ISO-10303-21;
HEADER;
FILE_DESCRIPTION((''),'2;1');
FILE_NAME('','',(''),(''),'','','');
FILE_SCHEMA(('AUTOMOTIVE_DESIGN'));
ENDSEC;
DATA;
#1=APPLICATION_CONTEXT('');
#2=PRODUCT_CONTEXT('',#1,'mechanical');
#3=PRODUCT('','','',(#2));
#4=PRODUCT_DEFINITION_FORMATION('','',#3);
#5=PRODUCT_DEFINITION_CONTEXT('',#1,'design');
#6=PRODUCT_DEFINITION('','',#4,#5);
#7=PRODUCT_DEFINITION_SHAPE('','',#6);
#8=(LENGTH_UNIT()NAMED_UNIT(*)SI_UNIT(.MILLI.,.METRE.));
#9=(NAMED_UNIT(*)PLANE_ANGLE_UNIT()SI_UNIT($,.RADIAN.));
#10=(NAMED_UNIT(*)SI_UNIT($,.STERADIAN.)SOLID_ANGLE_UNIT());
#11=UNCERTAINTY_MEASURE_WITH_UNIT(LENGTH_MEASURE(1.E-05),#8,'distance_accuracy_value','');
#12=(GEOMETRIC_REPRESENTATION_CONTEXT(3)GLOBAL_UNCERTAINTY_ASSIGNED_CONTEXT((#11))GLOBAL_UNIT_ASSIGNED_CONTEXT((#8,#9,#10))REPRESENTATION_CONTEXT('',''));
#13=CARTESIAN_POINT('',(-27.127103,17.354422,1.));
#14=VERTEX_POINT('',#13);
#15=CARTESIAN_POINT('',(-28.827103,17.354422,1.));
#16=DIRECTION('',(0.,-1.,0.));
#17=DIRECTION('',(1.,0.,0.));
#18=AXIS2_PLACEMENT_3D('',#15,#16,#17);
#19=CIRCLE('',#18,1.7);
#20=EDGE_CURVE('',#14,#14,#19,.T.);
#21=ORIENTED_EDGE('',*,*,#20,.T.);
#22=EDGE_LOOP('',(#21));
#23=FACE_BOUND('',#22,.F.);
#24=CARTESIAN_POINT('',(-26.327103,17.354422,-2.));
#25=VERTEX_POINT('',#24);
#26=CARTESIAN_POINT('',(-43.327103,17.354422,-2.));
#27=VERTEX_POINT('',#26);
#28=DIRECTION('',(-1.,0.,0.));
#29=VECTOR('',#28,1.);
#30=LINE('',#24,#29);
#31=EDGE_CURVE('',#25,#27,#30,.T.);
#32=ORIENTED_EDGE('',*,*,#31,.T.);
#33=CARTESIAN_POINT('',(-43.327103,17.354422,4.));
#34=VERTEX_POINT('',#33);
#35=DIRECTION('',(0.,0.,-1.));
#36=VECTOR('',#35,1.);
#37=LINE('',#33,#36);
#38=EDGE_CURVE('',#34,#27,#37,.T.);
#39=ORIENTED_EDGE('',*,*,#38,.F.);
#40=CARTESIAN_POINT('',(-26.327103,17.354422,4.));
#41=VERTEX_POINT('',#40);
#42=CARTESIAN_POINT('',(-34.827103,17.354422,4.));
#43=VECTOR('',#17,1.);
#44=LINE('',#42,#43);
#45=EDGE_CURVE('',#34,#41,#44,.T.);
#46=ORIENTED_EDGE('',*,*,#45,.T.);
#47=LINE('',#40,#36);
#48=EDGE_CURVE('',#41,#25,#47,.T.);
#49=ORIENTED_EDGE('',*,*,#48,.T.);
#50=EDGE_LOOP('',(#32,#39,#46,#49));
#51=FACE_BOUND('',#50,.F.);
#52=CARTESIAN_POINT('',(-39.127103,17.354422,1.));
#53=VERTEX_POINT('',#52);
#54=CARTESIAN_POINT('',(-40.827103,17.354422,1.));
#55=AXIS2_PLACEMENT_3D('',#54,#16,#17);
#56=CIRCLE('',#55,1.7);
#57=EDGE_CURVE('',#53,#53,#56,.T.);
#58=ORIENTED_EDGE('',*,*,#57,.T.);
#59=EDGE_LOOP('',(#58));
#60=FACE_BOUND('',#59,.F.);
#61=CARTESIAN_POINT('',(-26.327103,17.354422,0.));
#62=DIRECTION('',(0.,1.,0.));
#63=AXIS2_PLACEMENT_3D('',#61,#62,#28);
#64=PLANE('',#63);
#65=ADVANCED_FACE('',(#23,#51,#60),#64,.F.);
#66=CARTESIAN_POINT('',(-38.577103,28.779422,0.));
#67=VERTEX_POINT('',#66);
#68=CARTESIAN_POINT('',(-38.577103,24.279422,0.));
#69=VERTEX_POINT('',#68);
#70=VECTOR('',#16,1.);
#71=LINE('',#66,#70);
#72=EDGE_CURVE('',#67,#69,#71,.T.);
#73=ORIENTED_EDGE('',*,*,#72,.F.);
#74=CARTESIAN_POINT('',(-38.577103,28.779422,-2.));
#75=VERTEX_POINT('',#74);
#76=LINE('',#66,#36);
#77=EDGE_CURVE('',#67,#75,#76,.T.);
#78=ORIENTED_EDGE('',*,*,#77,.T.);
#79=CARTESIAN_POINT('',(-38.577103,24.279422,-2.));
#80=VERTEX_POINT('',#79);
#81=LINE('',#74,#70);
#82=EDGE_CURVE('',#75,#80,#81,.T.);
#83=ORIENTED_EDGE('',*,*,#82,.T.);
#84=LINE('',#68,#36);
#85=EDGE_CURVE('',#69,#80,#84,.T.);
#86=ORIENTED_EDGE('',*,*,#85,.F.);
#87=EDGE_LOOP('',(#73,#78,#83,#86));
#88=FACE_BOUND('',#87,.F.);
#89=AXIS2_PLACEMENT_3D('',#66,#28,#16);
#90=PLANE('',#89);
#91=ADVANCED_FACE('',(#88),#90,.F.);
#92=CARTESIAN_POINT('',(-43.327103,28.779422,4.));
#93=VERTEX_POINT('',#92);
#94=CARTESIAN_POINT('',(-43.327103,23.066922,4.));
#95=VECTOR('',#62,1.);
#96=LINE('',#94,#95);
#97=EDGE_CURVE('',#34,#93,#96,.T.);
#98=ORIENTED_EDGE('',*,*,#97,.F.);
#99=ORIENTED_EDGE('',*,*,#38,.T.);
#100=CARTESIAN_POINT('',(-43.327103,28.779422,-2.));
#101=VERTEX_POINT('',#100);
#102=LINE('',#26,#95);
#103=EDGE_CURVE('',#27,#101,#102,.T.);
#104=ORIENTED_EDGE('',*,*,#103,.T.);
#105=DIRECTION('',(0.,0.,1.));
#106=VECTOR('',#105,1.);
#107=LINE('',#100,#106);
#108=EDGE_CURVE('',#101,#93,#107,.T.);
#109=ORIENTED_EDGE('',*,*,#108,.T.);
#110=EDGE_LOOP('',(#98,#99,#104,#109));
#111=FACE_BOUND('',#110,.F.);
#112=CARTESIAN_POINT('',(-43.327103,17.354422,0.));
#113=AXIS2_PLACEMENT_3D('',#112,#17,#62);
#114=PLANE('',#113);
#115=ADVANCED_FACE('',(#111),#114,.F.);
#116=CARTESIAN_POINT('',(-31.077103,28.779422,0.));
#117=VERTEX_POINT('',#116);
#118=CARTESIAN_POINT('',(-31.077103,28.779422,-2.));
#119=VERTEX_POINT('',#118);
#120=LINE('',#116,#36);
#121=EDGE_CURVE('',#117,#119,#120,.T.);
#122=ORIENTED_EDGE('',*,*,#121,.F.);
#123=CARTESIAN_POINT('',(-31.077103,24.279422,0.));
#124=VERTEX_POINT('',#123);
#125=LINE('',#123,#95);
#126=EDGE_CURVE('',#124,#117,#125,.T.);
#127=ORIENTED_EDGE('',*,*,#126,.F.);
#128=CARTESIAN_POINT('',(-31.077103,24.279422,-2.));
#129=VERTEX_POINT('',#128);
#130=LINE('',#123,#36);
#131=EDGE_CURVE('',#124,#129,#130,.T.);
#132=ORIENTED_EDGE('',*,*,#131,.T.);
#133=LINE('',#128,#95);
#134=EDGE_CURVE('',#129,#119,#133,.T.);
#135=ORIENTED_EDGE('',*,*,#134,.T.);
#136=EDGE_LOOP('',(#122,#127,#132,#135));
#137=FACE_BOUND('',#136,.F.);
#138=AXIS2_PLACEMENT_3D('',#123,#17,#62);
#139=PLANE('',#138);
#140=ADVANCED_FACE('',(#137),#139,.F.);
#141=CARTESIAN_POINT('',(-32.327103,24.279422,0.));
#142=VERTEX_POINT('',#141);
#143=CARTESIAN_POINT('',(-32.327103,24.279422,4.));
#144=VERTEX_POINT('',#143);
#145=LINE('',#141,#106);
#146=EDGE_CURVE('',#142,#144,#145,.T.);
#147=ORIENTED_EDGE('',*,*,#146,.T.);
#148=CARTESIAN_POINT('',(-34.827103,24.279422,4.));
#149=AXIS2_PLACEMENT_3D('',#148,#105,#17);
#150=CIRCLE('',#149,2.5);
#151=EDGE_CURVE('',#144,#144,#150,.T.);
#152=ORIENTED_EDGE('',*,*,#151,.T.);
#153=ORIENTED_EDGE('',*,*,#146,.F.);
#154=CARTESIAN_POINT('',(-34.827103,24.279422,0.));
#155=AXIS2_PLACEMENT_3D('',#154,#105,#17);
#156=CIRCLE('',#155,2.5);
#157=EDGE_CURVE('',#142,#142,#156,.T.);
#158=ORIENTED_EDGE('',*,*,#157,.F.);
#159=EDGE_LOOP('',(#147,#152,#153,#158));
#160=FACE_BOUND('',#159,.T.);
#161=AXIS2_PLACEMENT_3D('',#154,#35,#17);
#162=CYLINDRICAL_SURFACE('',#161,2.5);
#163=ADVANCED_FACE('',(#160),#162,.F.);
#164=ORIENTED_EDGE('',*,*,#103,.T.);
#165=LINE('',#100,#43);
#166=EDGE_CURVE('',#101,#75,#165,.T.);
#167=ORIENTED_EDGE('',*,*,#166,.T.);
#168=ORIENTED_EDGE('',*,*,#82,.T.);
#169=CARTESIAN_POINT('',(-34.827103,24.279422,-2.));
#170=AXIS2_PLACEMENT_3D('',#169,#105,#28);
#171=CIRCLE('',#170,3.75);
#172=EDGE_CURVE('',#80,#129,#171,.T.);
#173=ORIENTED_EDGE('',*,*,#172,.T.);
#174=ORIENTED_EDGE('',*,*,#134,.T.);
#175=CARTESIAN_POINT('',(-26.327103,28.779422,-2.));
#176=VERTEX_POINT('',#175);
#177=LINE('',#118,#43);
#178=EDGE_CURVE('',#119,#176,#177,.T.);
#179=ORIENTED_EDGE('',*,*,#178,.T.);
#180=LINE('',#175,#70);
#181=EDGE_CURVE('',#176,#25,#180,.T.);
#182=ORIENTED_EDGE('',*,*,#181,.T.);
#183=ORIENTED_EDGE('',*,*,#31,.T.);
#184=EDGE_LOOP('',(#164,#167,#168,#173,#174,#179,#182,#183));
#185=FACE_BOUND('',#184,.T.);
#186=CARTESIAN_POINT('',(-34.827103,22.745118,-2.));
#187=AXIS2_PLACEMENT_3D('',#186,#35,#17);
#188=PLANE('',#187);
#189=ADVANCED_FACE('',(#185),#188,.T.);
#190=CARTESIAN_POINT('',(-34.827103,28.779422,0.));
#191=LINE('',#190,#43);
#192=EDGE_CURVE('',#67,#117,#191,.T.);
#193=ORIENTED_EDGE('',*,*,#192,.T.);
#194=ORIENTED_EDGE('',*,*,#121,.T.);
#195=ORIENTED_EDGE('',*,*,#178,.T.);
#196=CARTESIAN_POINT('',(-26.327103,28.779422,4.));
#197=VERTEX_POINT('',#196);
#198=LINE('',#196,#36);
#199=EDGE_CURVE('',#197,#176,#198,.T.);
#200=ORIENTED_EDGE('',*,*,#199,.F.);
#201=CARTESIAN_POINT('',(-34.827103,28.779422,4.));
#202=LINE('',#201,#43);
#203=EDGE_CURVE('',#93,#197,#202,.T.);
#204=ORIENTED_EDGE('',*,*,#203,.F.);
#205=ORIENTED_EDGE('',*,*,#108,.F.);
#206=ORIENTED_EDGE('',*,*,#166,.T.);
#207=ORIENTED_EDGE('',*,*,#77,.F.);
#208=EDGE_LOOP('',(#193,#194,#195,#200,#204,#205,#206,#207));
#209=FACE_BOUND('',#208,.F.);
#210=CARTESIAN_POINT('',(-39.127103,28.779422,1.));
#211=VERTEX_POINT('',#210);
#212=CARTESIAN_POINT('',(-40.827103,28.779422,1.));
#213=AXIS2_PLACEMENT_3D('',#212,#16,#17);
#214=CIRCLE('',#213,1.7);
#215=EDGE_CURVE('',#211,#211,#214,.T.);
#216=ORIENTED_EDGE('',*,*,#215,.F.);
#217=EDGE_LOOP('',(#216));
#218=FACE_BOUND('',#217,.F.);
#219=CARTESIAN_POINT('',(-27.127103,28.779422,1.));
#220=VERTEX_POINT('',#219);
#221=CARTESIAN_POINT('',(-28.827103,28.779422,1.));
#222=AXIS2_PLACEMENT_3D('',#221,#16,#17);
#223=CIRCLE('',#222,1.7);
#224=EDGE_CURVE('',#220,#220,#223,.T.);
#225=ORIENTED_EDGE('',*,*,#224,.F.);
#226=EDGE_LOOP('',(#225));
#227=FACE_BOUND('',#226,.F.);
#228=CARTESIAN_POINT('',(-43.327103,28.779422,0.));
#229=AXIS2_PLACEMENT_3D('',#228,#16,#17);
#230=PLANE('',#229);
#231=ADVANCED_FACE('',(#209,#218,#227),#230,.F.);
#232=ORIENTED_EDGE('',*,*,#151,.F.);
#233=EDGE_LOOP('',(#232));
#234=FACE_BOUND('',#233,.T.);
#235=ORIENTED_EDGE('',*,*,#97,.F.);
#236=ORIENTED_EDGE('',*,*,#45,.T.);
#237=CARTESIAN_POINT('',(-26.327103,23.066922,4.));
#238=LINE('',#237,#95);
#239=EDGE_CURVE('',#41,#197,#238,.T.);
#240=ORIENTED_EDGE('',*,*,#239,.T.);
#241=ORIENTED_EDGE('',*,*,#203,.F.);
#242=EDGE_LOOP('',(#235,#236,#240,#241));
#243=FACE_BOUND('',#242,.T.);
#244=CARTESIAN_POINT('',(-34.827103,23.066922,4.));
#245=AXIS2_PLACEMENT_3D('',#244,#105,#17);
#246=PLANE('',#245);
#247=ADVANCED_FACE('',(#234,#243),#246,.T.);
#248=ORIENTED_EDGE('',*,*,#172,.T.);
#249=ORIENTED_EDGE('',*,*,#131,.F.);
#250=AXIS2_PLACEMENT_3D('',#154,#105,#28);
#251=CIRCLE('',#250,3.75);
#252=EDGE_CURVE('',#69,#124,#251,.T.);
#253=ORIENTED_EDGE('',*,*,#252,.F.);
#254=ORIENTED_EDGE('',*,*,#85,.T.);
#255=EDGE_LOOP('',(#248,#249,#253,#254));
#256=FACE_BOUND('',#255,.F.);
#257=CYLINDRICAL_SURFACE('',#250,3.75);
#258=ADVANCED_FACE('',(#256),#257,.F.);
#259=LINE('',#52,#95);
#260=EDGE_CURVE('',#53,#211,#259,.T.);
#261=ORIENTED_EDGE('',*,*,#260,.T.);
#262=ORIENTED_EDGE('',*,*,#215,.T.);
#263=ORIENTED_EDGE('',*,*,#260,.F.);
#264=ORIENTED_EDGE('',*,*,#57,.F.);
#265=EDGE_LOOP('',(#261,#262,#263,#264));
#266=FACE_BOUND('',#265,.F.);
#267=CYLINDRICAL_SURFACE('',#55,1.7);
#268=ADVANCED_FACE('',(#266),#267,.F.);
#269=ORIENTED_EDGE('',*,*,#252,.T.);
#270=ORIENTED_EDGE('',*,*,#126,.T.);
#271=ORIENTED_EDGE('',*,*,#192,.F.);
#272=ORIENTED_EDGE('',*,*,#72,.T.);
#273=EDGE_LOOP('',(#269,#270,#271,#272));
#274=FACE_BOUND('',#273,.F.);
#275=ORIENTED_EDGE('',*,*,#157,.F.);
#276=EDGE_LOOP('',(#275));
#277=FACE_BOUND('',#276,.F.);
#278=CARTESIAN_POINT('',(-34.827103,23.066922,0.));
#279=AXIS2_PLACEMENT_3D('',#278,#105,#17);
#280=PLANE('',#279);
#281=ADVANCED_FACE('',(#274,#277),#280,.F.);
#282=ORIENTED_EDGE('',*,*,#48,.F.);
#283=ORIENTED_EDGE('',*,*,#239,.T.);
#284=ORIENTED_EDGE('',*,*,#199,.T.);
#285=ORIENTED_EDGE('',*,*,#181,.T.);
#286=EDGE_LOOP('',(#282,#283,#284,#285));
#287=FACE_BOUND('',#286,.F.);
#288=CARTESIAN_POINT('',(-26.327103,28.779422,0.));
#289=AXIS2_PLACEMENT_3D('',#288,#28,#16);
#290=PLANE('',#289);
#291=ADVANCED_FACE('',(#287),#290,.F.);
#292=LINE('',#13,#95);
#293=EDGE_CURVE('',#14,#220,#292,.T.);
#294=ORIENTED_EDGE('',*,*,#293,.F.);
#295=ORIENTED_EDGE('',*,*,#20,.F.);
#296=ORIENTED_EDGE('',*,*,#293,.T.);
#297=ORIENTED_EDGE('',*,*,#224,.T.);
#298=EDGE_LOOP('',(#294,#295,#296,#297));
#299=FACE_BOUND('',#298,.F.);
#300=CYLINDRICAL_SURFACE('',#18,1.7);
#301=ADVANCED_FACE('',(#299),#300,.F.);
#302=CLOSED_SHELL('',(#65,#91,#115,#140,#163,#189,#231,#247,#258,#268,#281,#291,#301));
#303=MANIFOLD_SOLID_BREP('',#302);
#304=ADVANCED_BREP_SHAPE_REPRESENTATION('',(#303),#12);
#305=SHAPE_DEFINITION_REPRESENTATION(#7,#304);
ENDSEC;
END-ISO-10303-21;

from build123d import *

# Parameters (mm, degrees)
F0_W     = 17
F0_H     = 11.425
F0_R     = 2.5
F1_DEPTH = 4
F3_DEPTH = 2
F4_R     = 1.7
F5_DEPTH = 11.426


with BuildPart() as f1:
    # F0 (on Top) → F1 (new body)
    with BuildSketch(Plane.XY):
        with Locations((-34.827103, 23.066922)):
            Rectangle(F0_W, F0_H)
        with Locations((-34.827103, 24.279422)):
            Circle(F0_R, mode=Mode.SUBTRACT)
    extrude(amount=F1_DEPTH)

    # F2 (on face) → F3 (join)
    with BuildSketch(Plane(origin=(0, 0, 0), x_dir=(1, 0, 0), z_dir=(0, 0, -1))):
        with BuildLine():
            ThreePointArc((-38.577103, -24.279422), (-34.827103, -20.529422), (-31.077103, -24.279422))
            Line((-31.077103, -24.279422), (-31.077103, -28.779422))
            Line((-31.077103, -28.779422), (-26.327103, -28.779422))
            Line((-26.327103, -28.779422), (-26.327103, -17.354422))
            Line((-26.327103, -17.354422), (-43.327103, -17.354422))
            Line((-43.327103, -17.354422), (-43.327103, -28.779422))
            Line((-43.327103, -28.779422), (-38.577103, -28.779422))
            Line((-38.577103, -28.779422), (-38.577103, -24.279422))
        make_face()
    extrude(amount=F3_DEPTH)

    # F4 (on face) → F5 (cut, through all)
    with BuildSketch(Plane.XZ.offset(-17.354422)):
        with Locations((-28.827103, 1)):
            Circle(F4_R)
        with Locations((-40.827103, 1)):
            Circle(F4_R)
    extrude(amount=-F5_DEPTH, mode=Mode.SUBTRACT)


solid = f1.part
